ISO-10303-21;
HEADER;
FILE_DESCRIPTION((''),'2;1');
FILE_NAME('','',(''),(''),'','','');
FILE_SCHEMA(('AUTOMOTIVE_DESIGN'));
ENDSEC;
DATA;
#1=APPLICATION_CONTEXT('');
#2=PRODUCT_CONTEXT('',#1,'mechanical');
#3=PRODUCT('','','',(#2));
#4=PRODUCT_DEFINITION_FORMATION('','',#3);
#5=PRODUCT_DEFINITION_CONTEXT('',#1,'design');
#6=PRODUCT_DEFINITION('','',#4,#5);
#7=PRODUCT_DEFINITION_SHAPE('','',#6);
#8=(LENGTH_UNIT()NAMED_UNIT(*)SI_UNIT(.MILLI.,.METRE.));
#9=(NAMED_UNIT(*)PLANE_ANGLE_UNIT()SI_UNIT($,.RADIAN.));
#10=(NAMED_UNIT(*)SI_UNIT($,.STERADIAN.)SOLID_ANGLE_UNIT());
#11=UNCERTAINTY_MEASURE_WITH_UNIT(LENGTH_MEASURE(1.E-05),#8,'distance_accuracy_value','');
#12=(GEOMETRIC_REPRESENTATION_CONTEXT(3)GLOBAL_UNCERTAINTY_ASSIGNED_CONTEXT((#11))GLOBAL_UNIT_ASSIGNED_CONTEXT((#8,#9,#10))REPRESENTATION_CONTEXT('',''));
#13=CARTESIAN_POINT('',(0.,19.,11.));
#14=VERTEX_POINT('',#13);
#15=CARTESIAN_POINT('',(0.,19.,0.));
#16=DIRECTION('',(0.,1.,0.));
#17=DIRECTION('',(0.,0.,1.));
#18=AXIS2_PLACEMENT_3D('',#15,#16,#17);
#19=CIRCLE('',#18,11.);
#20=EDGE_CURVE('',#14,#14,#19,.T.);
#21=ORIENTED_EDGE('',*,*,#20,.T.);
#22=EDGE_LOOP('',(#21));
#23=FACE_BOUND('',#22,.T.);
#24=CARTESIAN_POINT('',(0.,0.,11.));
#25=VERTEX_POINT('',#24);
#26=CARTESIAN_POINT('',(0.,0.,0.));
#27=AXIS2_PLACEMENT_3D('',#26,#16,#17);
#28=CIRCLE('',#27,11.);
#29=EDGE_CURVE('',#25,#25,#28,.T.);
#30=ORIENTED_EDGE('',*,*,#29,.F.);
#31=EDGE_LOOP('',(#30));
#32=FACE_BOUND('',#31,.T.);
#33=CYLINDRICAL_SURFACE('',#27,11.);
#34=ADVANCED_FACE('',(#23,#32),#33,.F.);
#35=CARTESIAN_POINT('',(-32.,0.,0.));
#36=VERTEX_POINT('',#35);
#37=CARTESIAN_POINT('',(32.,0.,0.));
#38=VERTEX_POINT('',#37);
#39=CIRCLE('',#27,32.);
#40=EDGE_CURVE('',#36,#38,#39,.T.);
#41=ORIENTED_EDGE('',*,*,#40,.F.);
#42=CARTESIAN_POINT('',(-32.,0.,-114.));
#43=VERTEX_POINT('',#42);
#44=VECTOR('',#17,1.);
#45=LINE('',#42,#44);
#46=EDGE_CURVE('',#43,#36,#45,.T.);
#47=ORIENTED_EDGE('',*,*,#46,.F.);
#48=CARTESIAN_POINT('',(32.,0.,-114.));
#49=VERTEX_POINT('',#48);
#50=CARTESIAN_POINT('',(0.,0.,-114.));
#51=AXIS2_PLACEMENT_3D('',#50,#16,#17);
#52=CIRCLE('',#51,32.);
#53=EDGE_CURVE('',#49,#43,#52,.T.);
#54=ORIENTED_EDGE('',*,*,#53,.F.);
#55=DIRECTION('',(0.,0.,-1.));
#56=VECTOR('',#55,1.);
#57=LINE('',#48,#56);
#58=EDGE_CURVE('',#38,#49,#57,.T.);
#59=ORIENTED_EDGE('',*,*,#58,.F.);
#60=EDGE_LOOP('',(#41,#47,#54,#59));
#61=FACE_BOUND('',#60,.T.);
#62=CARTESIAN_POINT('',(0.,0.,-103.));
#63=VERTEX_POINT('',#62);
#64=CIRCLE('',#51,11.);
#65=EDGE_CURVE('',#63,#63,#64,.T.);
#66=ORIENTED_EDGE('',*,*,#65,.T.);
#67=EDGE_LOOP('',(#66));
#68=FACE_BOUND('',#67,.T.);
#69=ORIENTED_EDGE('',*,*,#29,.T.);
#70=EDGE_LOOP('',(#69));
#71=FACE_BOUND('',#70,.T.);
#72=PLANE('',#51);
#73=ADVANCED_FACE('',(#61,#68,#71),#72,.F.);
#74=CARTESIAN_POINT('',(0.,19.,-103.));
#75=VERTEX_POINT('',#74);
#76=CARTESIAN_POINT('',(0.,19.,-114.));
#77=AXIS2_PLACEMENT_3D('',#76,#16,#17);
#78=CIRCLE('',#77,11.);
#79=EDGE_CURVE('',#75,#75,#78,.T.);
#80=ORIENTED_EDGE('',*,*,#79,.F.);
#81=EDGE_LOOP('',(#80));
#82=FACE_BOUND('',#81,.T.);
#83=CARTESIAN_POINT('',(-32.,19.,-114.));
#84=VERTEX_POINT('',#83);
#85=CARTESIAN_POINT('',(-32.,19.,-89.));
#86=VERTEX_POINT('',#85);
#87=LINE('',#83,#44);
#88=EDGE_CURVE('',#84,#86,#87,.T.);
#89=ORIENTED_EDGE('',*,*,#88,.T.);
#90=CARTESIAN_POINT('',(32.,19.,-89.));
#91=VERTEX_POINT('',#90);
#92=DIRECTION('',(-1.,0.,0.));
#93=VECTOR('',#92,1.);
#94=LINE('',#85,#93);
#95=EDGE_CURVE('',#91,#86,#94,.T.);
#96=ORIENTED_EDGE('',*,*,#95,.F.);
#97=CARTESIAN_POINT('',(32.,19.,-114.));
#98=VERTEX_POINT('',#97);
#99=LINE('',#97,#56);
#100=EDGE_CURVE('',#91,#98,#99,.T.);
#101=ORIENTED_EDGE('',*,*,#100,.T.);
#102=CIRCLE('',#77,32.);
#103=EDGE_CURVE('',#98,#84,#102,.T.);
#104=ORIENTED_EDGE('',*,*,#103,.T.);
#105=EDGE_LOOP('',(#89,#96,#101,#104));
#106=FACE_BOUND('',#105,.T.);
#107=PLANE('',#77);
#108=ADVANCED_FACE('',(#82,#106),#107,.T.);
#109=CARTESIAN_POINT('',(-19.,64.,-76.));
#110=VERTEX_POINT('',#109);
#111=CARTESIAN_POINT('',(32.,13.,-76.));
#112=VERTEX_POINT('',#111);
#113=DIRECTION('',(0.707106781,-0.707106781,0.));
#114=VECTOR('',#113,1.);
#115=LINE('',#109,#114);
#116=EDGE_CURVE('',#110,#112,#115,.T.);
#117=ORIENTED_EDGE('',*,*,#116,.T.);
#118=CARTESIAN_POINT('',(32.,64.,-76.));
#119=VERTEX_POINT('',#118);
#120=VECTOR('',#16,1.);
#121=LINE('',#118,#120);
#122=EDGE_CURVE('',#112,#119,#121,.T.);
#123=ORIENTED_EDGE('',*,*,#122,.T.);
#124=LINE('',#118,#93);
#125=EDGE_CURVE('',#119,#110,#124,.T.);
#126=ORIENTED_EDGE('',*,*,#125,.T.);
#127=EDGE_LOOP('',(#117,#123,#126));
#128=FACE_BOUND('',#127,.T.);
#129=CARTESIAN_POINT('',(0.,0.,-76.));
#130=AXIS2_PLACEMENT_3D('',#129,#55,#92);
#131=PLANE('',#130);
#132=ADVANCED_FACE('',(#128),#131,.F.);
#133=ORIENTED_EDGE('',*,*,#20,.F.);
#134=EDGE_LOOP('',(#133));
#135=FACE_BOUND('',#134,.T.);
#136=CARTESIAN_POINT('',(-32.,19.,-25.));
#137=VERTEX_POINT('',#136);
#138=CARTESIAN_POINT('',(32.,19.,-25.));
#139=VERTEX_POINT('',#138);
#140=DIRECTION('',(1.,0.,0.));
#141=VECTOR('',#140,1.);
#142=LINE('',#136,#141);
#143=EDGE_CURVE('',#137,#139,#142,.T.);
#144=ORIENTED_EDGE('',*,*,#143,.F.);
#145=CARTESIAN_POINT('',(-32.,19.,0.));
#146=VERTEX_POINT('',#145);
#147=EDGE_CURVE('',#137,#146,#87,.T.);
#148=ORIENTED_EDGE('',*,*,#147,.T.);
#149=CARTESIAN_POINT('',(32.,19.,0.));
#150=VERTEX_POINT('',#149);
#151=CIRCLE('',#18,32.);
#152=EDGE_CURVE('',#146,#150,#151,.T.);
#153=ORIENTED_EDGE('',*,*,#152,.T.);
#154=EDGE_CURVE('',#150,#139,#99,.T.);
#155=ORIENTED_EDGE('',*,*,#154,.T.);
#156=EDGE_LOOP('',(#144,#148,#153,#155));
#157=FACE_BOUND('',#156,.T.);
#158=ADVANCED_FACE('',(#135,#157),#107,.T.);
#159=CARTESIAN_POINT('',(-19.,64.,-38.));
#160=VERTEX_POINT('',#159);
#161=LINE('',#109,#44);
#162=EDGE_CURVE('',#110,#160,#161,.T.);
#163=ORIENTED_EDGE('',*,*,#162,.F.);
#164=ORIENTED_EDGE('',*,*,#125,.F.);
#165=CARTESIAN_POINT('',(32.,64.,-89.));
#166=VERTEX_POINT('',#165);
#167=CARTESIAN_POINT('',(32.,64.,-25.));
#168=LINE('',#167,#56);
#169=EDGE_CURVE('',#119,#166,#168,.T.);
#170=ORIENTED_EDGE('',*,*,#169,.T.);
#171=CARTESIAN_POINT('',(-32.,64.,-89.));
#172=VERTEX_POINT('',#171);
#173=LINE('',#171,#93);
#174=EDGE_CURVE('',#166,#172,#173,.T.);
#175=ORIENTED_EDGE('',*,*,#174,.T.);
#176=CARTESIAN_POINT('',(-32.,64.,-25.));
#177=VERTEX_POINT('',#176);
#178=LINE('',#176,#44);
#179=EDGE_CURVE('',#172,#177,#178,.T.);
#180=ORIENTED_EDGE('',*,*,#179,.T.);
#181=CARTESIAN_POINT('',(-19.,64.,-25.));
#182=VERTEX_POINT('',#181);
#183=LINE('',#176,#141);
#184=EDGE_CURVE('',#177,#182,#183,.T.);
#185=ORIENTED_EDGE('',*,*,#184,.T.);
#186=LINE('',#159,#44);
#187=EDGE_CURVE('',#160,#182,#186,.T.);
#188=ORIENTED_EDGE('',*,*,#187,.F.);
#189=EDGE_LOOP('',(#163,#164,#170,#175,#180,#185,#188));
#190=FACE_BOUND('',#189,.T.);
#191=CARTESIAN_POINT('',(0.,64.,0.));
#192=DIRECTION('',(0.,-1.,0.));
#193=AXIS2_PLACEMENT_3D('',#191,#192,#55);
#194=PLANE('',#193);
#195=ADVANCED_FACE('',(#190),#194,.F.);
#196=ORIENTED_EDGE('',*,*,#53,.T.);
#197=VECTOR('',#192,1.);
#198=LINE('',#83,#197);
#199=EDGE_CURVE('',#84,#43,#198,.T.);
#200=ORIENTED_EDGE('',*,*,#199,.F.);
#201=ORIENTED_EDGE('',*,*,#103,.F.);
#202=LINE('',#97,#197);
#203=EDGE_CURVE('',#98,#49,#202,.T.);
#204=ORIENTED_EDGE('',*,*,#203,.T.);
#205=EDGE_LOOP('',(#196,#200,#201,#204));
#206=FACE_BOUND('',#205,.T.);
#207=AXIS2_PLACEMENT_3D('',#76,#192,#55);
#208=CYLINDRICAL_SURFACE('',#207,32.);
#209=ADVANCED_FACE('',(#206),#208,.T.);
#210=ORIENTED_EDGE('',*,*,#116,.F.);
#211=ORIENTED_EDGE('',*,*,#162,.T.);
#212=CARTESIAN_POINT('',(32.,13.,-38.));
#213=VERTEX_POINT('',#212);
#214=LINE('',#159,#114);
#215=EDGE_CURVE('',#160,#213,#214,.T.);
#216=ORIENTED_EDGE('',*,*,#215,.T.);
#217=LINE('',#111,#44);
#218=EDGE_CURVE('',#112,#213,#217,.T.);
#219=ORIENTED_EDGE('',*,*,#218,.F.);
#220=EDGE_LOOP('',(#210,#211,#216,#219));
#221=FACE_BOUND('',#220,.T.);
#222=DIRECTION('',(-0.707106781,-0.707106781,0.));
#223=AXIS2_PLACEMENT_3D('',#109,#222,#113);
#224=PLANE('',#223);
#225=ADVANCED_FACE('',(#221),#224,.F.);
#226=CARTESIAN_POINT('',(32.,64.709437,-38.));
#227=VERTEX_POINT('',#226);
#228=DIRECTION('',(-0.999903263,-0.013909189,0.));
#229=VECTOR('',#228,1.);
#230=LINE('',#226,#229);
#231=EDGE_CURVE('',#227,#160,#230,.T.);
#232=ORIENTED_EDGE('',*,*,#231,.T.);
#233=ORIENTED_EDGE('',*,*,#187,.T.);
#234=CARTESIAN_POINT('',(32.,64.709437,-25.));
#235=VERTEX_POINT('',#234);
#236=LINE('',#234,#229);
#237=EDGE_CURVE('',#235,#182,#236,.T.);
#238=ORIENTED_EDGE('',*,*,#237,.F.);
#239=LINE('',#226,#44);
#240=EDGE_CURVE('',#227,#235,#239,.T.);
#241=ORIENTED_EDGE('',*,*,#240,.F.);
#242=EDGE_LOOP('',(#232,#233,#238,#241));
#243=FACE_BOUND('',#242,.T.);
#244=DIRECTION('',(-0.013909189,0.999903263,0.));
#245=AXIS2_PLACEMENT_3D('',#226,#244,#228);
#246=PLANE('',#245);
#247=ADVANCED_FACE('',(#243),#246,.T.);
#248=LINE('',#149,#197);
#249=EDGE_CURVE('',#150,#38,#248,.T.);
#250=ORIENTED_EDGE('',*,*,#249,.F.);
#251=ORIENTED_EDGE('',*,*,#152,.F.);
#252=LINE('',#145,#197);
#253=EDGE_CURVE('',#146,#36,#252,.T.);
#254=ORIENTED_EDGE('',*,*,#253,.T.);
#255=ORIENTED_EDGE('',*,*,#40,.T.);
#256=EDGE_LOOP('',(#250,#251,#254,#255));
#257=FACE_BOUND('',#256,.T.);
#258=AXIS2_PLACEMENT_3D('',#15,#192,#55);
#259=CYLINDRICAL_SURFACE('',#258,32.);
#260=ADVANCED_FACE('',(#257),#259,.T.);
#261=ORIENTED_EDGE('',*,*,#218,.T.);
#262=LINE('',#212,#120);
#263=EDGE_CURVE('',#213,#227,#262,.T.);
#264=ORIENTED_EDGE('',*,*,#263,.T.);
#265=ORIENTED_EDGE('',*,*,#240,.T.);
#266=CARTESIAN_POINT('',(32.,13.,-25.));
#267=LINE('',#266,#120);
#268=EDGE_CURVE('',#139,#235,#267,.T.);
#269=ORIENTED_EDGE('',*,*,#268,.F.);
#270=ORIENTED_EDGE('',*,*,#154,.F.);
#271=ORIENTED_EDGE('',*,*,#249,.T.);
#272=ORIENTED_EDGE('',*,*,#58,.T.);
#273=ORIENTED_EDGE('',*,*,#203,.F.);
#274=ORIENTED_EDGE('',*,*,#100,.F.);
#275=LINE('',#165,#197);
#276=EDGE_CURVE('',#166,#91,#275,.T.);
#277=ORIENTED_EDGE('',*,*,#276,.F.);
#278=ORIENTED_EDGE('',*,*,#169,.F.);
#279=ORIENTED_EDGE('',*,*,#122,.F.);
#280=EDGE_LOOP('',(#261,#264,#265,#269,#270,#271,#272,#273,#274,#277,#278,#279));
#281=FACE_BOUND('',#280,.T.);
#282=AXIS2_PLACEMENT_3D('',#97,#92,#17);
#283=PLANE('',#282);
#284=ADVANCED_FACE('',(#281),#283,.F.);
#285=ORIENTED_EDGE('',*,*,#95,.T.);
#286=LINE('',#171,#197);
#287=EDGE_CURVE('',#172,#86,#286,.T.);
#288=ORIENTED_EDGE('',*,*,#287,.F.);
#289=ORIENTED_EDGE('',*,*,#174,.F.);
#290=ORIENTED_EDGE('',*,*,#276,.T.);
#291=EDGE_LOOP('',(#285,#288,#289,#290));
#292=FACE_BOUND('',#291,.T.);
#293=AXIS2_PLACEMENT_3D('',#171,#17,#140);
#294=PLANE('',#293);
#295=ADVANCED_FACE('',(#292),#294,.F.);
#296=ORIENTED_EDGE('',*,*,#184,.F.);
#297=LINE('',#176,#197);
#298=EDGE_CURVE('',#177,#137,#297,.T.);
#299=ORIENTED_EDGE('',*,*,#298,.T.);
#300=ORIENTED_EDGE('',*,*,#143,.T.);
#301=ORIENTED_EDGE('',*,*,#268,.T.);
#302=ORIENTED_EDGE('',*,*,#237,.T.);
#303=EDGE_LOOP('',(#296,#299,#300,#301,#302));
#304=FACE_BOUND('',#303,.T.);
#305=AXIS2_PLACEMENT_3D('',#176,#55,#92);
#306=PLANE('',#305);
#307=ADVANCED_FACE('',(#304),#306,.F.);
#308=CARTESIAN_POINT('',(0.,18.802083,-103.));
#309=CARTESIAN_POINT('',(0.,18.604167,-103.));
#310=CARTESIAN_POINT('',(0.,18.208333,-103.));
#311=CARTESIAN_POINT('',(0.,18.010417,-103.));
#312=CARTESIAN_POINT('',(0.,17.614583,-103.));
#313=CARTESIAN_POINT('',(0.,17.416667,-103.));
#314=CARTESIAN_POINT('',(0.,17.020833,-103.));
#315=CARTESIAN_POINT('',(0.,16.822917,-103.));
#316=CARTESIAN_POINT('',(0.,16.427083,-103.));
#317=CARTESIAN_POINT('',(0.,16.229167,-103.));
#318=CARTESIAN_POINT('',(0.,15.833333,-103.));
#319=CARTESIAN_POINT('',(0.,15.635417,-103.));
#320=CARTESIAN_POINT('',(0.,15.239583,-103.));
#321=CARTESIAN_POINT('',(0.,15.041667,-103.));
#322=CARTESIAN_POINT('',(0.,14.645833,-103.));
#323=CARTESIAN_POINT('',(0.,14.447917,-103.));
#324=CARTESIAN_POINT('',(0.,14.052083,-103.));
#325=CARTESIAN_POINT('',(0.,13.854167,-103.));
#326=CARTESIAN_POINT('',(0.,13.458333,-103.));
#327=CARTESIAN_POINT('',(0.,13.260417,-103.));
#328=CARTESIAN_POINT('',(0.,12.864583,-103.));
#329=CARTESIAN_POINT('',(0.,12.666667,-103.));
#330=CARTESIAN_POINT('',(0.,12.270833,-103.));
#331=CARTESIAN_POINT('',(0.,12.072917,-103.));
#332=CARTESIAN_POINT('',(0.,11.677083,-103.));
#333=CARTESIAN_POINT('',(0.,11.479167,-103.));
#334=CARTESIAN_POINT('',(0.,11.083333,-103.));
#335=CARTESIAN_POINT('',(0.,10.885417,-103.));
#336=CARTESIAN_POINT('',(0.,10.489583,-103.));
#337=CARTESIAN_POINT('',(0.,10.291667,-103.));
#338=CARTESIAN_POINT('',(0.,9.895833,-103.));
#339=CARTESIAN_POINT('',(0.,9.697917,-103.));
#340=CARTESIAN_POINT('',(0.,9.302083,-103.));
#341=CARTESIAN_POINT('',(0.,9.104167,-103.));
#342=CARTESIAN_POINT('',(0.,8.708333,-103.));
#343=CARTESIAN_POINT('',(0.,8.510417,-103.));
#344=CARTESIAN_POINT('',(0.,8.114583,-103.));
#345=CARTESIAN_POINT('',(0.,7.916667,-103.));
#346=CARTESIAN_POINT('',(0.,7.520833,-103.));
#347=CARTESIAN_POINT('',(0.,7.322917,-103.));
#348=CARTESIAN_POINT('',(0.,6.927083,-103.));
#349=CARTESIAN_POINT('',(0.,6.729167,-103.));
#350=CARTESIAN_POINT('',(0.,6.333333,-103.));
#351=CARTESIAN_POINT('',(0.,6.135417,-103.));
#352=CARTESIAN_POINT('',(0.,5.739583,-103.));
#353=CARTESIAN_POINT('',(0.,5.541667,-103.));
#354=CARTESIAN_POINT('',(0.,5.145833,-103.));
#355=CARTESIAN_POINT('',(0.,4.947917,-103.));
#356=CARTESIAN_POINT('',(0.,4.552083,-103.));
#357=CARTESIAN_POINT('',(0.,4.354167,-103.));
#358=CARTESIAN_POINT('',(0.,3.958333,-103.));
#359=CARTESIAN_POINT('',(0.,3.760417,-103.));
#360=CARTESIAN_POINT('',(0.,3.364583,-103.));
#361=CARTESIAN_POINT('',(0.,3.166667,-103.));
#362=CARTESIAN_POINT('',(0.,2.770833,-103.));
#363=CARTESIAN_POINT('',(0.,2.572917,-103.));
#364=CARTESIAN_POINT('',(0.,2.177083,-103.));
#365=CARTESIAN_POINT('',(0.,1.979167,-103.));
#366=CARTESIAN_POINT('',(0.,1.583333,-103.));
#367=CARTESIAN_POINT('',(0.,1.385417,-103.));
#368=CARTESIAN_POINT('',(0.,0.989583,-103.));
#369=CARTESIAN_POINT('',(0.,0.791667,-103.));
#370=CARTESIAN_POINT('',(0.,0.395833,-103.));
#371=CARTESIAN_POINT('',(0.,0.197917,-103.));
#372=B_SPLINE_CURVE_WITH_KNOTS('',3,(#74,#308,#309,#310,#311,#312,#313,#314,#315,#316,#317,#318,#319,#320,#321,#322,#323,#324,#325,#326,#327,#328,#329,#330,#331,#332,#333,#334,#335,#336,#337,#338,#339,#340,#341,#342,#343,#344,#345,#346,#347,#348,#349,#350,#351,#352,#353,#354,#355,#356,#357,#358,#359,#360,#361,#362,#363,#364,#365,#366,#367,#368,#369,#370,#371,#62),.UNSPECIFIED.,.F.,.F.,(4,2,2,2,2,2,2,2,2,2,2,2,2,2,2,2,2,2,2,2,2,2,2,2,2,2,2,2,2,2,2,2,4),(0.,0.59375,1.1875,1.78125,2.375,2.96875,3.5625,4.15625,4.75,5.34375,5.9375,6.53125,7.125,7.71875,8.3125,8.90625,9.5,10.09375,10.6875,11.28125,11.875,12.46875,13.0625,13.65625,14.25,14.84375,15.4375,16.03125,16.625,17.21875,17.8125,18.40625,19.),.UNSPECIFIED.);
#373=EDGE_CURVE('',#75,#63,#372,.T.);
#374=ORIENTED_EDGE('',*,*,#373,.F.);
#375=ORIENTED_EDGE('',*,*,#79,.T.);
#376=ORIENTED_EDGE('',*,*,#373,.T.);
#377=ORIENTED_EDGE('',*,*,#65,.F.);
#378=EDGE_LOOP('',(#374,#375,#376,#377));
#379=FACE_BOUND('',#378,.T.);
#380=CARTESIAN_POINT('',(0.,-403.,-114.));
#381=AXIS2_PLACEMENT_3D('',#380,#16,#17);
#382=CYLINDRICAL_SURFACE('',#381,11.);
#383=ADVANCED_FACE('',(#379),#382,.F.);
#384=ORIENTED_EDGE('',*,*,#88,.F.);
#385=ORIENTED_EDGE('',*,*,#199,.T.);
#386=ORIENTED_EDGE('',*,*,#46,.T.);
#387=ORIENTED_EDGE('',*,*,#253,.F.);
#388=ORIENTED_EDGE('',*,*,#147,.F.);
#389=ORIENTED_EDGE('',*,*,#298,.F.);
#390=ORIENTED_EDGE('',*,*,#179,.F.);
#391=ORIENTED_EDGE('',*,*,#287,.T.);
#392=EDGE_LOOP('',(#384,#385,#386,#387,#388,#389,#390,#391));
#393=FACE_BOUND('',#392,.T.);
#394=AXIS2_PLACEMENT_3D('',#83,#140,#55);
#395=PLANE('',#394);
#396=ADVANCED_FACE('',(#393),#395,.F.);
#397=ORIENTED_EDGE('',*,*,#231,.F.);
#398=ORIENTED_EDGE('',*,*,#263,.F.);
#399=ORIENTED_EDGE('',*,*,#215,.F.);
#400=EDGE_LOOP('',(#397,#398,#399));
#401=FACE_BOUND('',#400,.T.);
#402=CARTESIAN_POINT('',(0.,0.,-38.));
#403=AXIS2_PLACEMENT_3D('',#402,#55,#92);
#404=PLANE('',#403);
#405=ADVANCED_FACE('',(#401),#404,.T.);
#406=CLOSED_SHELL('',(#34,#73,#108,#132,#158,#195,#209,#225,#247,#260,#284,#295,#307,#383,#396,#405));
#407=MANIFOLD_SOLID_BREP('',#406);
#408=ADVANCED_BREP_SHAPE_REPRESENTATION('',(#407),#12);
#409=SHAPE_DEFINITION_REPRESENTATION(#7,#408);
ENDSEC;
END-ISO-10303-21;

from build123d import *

# Parameters (mm, degrees)
BOSS_EXTRUDE1_DEPTH = 19
SKETCH2_R           = 11
CUT_EXTRUDE1_DEPTH  = 19
SKETCH3_R           = 11
CUT_EXTRUDE3_DEPTH  = 422
SKETCH4_W           = 64
SKETCH4_H           = 64
BOSS_EXTRUDE2_DEPTH = 45
CUT_EXTRUDE4_DEPTH  = 51
BOSS_EXTRUDE3_DEPTH = 13


with BuildPart() as part:
    # Sketch1 → Boss-Extrude1 (new body)
    with BuildSketch(Plane(origin=(0, 0, 0), x_dir=(1, 0, 0), z_dir=(0, 1, 0))):
        with BuildLine():
            Line((-32, 114), (-32, 0))
            ThreePointArc((-32, 0), (0, -32), (32, 0))
            Line((32, 0), (32, 114))
            ThreePointArc((32, 114), (0, 146), (-32, 114))
        make_face()
    extrude(amount=BOSS_EXTRUDE1_DEPTH)

    # Sketch2 → Cut-Extrude1 (cut)
    with BuildSketch(Plane(origin=(0, 19, 0), x_dir=(1, 0, 0), z_dir=(0, 1, 0))):
        with Locations(Location((0, 0, 0), (0, 0, 270))):
            Circle(SKETCH2_R)
    extrude(amount=-CUT_EXTRUDE1_DEPTH, mode=Mode.SUBTRACT)

    # Sketch3 → Cut-Extrude3 (cut)
    with BuildSketch(Plane(origin=(0, 19, 0), x_dir=(1, 0, 0), z_dir=(0, 1, 0))):
        with Locations(Location((0, 114, 0), (0, 0, 270))):
            Circle(SKETCH3_R)
    extrude(amount=-CUT_EXTRUDE3_DEPTH, mode=Mode.SUBTRACT)

    # Sketch4 → Boss-Extrude2 (add)
    with BuildSketch(Plane(origin=(0, 19, 0), x_dir=(1, 0, 0), z_dir=(0, 1, 0))):
        with Locations((0, 57)):
            Rectangle(SKETCH4_W, SKETCH4_H)
    extrude(amount=BOSS_EXTRUDE2_DEPTH)

    # Sketch5 → Cut-Extrude4 (cut)
    with BuildSketch(Plane.XY.offset(-25)):
        Polygon((32, 64), (-19, 64), (32, 13), align=None)
    extrude(amount=-CUT_EXTRUDE4_DEPTH, mode=Mode.SUBTRACT)

    # Sketch6 → Boss-Extrude3 (add)
    with BuildSketch(Plane.XY.offset(-25)):
        Polygon((32, 13), (32, 64.70943725), (-19, 64), align=None)
    extrude(amount=-BOSS_EXTRUDE3_DEPTH)


solid = part.part
